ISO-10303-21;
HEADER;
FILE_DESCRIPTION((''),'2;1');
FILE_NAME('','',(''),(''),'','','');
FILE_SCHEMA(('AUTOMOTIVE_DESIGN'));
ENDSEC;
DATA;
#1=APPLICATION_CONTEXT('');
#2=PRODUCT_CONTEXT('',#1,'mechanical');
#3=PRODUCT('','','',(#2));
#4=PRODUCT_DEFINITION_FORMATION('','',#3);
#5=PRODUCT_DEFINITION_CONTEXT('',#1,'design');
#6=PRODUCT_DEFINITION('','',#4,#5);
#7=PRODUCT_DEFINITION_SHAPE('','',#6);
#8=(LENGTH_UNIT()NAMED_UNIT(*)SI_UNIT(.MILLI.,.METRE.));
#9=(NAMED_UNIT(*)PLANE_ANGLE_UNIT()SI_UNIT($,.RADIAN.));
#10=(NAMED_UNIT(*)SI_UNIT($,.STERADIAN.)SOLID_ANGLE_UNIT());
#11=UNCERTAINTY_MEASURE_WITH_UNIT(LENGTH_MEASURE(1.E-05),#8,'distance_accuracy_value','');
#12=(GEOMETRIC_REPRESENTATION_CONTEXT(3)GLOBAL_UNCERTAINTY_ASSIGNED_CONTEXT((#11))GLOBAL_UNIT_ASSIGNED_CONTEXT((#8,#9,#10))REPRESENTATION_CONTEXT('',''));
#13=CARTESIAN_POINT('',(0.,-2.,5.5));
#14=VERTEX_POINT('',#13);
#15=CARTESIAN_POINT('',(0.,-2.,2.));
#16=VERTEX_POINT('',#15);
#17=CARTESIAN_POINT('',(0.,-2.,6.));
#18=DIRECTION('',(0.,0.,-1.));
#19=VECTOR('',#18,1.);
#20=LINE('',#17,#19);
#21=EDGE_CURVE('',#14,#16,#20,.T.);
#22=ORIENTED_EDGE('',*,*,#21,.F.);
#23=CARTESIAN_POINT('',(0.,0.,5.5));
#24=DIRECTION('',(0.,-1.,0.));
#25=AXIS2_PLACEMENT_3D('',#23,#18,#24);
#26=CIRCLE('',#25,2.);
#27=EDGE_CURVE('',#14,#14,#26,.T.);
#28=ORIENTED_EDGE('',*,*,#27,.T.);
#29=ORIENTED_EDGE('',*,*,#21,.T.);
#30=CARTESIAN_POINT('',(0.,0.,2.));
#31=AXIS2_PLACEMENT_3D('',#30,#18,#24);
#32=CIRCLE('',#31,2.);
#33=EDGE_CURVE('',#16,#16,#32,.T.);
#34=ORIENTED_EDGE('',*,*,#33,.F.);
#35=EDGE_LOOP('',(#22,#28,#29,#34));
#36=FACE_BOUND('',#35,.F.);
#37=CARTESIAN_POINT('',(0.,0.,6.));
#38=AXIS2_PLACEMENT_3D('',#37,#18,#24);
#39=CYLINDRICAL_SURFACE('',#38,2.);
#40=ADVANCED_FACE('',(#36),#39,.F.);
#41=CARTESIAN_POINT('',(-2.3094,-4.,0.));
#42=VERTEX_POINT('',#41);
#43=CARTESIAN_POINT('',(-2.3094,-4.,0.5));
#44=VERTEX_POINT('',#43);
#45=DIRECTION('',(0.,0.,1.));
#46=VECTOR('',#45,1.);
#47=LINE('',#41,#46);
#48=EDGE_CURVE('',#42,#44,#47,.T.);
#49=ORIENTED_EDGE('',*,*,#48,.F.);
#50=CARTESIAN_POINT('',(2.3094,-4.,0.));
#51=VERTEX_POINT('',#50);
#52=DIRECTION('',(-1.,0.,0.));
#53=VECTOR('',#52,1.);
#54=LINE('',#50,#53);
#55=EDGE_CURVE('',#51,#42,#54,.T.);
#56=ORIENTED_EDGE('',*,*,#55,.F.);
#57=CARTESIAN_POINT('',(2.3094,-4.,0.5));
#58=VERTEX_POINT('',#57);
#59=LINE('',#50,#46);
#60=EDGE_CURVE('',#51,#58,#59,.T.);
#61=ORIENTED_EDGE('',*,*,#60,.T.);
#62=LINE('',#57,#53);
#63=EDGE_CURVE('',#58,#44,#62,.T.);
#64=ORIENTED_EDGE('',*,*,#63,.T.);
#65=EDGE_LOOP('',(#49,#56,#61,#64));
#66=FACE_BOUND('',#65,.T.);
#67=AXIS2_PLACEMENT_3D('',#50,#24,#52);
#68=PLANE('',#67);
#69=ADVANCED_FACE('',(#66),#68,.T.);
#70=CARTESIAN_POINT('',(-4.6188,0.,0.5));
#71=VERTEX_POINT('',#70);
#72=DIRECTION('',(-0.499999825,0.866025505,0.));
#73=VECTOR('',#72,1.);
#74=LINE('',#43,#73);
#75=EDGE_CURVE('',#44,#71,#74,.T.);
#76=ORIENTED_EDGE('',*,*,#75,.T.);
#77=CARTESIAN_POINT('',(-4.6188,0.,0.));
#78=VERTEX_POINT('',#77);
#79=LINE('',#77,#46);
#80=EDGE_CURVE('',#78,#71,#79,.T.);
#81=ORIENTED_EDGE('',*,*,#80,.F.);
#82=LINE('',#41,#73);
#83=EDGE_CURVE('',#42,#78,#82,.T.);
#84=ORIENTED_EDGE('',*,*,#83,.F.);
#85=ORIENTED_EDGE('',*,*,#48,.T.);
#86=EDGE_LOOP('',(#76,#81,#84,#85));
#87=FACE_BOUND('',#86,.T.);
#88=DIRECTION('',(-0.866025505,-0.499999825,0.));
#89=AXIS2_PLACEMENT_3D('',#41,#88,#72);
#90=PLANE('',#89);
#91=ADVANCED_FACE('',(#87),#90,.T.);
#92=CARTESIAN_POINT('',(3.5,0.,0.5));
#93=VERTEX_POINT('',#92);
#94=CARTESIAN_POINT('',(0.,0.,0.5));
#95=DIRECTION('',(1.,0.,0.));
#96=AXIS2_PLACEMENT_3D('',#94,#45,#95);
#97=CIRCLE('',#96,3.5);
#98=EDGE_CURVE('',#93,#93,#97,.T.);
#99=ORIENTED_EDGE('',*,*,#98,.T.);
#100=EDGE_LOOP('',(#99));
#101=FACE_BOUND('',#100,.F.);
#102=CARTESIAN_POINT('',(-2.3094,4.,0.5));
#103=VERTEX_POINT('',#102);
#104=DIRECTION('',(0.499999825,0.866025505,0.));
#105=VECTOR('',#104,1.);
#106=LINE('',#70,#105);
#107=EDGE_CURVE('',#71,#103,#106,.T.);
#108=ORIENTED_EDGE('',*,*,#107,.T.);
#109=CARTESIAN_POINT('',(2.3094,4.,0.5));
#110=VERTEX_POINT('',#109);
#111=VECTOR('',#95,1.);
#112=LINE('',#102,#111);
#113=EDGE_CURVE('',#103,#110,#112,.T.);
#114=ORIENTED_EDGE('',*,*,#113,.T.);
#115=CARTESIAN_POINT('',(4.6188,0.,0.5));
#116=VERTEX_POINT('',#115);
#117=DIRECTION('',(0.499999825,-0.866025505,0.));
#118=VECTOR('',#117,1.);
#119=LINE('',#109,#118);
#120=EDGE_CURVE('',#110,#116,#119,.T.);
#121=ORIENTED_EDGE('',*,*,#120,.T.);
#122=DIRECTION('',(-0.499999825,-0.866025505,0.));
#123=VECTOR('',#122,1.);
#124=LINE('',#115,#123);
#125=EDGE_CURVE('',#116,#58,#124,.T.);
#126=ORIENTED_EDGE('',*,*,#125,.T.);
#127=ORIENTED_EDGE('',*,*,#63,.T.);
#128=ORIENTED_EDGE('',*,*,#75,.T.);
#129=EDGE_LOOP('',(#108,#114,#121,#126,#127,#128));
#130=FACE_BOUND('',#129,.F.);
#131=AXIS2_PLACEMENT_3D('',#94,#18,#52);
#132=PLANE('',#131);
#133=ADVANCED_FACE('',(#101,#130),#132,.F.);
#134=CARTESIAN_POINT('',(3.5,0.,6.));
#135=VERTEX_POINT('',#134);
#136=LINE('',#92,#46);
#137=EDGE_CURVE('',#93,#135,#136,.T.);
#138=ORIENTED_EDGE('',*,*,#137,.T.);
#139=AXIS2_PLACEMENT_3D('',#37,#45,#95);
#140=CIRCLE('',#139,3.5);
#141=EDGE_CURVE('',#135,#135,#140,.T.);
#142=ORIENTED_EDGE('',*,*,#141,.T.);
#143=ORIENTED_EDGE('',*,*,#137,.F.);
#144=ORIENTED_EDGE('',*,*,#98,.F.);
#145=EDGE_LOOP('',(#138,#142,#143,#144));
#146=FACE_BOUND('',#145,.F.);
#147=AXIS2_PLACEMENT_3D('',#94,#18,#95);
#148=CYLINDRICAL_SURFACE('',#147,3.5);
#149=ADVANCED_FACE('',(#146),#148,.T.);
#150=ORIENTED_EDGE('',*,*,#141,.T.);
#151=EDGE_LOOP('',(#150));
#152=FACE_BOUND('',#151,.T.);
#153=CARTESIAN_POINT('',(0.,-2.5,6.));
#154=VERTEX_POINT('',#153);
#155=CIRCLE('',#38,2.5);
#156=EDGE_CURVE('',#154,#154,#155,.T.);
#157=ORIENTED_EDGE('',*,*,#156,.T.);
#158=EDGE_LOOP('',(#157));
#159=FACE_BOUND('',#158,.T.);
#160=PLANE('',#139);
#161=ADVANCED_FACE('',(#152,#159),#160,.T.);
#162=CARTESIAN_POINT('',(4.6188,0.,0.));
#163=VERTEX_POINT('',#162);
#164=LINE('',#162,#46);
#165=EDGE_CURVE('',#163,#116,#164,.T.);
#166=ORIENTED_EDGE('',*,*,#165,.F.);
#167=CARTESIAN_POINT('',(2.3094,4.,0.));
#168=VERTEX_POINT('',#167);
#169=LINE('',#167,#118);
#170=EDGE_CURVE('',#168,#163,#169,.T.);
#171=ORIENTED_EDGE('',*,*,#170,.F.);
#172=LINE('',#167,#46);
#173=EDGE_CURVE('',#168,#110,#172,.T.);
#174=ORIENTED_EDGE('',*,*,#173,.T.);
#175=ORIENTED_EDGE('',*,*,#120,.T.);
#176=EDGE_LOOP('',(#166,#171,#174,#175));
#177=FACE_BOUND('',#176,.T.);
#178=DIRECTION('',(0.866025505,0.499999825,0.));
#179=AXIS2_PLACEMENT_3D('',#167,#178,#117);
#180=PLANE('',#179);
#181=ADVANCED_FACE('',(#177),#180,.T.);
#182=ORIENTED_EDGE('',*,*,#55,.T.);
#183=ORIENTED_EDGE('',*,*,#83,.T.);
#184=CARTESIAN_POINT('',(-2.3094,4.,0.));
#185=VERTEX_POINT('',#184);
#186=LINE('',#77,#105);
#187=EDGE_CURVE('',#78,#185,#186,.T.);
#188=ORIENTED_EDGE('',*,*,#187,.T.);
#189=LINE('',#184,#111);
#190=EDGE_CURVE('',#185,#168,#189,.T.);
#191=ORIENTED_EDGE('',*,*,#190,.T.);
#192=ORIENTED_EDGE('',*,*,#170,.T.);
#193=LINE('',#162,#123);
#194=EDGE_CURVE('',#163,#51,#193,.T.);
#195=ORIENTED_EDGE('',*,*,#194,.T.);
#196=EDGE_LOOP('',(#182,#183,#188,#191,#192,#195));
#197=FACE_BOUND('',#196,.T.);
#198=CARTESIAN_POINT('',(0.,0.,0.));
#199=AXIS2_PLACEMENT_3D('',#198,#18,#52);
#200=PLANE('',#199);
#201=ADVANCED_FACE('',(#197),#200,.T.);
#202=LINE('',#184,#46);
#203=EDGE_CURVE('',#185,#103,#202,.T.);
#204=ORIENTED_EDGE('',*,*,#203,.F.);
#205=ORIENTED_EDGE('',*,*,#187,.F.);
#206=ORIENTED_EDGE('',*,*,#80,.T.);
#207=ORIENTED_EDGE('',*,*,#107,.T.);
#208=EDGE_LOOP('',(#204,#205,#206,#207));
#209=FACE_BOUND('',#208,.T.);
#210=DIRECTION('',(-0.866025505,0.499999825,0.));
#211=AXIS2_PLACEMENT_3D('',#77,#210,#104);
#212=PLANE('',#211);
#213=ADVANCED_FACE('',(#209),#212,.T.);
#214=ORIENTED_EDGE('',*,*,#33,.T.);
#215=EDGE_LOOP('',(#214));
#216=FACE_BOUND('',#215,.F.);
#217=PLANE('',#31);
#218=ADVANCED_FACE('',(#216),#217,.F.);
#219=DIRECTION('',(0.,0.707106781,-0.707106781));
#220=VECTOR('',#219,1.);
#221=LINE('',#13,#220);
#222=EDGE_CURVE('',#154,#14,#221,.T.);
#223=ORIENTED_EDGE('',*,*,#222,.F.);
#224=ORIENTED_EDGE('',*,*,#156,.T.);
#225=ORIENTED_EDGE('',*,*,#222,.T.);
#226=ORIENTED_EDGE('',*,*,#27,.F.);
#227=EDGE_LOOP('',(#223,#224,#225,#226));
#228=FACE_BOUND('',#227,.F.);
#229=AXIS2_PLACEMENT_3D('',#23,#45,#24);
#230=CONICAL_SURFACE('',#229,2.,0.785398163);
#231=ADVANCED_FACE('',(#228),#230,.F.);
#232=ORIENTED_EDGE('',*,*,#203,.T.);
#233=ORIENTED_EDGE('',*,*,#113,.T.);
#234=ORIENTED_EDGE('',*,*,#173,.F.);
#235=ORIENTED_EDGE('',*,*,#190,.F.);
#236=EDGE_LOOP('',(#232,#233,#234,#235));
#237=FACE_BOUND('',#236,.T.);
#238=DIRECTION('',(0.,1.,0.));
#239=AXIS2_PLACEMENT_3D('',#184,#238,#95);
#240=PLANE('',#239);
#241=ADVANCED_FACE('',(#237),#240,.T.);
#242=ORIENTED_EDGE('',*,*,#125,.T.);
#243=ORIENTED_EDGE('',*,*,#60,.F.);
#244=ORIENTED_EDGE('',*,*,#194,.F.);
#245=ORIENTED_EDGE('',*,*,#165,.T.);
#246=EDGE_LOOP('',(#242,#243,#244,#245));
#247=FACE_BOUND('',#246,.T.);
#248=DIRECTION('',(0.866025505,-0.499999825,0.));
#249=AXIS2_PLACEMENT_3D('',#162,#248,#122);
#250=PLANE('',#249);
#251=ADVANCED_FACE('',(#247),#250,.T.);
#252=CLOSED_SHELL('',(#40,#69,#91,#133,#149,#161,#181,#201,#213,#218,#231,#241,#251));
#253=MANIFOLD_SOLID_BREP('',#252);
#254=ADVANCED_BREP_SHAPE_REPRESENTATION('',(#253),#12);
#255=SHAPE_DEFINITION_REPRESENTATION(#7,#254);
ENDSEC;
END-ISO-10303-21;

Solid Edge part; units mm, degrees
sketch "Sketch1" plane through (0, 0, 0) normal (0, 0, 1) x (1, 0, 0)
  line L0 (-2.3094, 4) -> (2.3094, 4)
  line L1 (2.3094, 4) -> (4.6188, 0)
  line L2 (4.6188, 0) -> (2.3094, -4)
  line L3 (2.3094, -4) -> (-2.3094, -4)
  line L4 (-2.3094, -4) -> (-4.6188, 0)
  line L5 (-4.6188, 0) -> (-2.3094, 4)
  dimension "D1" = 8
extrude "Protrusion1" add sketch "Sketch1" along normal blind 0.5
sketch "Sketch2" plane through (0, 0, 0.5) normal (0, 0, 1) x (1, 0, 0)
  circle A0 centre (0, 0) radius 3.5
  dimension "D1" = 7
extrude "Ausprägung_2" add sketch "Sketch2" along normal blind 5.5
hole "Bohrung_1" at (0, 0, 6) direction (0, 0, -1) diameter 4 depth 4
chamfer "Fase_1" distance 0.5 angle 45 1 edges at (0, 2, 6)
